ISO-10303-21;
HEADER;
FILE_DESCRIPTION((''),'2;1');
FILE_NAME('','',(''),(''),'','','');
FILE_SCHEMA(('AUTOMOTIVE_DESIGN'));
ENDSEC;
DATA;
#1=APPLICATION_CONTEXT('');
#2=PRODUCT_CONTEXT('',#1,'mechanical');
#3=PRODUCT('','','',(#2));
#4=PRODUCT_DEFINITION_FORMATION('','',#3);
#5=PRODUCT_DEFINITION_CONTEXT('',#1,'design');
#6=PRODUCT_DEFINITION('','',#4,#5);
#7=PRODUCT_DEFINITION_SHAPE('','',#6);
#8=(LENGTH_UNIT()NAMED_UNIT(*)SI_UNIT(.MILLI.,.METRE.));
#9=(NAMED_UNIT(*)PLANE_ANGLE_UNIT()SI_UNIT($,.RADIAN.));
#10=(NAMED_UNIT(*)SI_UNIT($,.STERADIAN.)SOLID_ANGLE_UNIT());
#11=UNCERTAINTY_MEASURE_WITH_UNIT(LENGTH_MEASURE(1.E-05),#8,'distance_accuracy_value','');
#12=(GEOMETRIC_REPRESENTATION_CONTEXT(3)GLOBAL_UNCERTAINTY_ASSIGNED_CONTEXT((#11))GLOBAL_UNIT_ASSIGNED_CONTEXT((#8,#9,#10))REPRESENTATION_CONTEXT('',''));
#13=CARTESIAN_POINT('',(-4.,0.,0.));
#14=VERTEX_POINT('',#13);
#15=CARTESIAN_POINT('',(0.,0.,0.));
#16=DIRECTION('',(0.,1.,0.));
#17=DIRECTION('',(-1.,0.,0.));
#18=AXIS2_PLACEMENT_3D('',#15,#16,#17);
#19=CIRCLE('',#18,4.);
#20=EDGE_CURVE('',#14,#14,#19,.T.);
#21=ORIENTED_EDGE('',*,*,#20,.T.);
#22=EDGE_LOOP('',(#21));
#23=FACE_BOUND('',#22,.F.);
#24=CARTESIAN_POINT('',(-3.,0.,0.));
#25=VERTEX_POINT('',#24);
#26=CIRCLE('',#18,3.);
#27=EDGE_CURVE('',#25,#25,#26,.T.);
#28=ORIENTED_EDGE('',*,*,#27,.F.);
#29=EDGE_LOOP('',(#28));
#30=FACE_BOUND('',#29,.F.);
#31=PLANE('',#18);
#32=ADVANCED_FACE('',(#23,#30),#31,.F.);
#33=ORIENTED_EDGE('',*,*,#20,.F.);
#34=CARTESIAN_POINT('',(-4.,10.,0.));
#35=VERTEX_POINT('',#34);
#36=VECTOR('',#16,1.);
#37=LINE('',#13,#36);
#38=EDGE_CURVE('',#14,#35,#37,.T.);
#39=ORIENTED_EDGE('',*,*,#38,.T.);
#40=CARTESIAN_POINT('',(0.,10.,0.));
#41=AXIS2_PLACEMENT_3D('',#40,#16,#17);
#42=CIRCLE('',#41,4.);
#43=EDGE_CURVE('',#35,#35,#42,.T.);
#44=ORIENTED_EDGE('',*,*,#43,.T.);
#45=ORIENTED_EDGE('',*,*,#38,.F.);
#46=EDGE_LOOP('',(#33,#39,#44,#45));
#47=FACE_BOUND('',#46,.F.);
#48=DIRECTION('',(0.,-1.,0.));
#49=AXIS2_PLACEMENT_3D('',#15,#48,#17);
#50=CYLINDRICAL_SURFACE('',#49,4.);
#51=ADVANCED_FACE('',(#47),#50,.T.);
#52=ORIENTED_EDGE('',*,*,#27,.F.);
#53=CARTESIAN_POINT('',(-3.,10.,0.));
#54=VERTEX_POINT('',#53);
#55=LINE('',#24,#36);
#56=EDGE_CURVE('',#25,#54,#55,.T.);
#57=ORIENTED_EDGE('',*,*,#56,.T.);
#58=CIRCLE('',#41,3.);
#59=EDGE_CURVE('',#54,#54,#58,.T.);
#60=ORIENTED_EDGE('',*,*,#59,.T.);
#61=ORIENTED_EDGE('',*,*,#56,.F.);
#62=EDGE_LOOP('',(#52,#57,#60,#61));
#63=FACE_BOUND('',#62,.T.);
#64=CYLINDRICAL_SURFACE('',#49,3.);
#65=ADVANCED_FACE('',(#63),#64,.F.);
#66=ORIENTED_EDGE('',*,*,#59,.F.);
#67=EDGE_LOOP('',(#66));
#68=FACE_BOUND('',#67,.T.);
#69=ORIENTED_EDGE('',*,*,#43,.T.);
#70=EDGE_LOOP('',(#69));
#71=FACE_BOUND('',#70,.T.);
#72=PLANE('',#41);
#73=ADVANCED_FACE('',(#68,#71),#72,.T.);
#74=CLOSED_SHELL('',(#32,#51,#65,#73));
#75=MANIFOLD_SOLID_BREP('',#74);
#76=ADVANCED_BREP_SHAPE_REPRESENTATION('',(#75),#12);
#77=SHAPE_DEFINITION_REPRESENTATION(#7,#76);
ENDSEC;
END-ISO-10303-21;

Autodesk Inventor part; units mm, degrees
ref_plane "YZ Plane" through (0, 0, 0) normal (1, 0, 0) x (0, 1, 0)
ref_plane "XZ Plane" through (0, 0, 0) normal (0, 1, 0) x (-1, 0, 0)
ref_plane "XY Plane" through (0, 0, 0) normal (0, 0, 1) x (1, 0, 0)
sketch "Sketch1" plane through (0, 0, 0) normal (0, 1, 0) x (-1, 0, 0)
  circle A0 centre (0, 0) radius 3
  circle A1 centre (0, 0) radius 4
  dimension "d0" = 6
  dimension "d1" = 8
extrude "Extrusion1" add sketch "Sketch1" along normal blind 10
properties part number "lead screw nut"
